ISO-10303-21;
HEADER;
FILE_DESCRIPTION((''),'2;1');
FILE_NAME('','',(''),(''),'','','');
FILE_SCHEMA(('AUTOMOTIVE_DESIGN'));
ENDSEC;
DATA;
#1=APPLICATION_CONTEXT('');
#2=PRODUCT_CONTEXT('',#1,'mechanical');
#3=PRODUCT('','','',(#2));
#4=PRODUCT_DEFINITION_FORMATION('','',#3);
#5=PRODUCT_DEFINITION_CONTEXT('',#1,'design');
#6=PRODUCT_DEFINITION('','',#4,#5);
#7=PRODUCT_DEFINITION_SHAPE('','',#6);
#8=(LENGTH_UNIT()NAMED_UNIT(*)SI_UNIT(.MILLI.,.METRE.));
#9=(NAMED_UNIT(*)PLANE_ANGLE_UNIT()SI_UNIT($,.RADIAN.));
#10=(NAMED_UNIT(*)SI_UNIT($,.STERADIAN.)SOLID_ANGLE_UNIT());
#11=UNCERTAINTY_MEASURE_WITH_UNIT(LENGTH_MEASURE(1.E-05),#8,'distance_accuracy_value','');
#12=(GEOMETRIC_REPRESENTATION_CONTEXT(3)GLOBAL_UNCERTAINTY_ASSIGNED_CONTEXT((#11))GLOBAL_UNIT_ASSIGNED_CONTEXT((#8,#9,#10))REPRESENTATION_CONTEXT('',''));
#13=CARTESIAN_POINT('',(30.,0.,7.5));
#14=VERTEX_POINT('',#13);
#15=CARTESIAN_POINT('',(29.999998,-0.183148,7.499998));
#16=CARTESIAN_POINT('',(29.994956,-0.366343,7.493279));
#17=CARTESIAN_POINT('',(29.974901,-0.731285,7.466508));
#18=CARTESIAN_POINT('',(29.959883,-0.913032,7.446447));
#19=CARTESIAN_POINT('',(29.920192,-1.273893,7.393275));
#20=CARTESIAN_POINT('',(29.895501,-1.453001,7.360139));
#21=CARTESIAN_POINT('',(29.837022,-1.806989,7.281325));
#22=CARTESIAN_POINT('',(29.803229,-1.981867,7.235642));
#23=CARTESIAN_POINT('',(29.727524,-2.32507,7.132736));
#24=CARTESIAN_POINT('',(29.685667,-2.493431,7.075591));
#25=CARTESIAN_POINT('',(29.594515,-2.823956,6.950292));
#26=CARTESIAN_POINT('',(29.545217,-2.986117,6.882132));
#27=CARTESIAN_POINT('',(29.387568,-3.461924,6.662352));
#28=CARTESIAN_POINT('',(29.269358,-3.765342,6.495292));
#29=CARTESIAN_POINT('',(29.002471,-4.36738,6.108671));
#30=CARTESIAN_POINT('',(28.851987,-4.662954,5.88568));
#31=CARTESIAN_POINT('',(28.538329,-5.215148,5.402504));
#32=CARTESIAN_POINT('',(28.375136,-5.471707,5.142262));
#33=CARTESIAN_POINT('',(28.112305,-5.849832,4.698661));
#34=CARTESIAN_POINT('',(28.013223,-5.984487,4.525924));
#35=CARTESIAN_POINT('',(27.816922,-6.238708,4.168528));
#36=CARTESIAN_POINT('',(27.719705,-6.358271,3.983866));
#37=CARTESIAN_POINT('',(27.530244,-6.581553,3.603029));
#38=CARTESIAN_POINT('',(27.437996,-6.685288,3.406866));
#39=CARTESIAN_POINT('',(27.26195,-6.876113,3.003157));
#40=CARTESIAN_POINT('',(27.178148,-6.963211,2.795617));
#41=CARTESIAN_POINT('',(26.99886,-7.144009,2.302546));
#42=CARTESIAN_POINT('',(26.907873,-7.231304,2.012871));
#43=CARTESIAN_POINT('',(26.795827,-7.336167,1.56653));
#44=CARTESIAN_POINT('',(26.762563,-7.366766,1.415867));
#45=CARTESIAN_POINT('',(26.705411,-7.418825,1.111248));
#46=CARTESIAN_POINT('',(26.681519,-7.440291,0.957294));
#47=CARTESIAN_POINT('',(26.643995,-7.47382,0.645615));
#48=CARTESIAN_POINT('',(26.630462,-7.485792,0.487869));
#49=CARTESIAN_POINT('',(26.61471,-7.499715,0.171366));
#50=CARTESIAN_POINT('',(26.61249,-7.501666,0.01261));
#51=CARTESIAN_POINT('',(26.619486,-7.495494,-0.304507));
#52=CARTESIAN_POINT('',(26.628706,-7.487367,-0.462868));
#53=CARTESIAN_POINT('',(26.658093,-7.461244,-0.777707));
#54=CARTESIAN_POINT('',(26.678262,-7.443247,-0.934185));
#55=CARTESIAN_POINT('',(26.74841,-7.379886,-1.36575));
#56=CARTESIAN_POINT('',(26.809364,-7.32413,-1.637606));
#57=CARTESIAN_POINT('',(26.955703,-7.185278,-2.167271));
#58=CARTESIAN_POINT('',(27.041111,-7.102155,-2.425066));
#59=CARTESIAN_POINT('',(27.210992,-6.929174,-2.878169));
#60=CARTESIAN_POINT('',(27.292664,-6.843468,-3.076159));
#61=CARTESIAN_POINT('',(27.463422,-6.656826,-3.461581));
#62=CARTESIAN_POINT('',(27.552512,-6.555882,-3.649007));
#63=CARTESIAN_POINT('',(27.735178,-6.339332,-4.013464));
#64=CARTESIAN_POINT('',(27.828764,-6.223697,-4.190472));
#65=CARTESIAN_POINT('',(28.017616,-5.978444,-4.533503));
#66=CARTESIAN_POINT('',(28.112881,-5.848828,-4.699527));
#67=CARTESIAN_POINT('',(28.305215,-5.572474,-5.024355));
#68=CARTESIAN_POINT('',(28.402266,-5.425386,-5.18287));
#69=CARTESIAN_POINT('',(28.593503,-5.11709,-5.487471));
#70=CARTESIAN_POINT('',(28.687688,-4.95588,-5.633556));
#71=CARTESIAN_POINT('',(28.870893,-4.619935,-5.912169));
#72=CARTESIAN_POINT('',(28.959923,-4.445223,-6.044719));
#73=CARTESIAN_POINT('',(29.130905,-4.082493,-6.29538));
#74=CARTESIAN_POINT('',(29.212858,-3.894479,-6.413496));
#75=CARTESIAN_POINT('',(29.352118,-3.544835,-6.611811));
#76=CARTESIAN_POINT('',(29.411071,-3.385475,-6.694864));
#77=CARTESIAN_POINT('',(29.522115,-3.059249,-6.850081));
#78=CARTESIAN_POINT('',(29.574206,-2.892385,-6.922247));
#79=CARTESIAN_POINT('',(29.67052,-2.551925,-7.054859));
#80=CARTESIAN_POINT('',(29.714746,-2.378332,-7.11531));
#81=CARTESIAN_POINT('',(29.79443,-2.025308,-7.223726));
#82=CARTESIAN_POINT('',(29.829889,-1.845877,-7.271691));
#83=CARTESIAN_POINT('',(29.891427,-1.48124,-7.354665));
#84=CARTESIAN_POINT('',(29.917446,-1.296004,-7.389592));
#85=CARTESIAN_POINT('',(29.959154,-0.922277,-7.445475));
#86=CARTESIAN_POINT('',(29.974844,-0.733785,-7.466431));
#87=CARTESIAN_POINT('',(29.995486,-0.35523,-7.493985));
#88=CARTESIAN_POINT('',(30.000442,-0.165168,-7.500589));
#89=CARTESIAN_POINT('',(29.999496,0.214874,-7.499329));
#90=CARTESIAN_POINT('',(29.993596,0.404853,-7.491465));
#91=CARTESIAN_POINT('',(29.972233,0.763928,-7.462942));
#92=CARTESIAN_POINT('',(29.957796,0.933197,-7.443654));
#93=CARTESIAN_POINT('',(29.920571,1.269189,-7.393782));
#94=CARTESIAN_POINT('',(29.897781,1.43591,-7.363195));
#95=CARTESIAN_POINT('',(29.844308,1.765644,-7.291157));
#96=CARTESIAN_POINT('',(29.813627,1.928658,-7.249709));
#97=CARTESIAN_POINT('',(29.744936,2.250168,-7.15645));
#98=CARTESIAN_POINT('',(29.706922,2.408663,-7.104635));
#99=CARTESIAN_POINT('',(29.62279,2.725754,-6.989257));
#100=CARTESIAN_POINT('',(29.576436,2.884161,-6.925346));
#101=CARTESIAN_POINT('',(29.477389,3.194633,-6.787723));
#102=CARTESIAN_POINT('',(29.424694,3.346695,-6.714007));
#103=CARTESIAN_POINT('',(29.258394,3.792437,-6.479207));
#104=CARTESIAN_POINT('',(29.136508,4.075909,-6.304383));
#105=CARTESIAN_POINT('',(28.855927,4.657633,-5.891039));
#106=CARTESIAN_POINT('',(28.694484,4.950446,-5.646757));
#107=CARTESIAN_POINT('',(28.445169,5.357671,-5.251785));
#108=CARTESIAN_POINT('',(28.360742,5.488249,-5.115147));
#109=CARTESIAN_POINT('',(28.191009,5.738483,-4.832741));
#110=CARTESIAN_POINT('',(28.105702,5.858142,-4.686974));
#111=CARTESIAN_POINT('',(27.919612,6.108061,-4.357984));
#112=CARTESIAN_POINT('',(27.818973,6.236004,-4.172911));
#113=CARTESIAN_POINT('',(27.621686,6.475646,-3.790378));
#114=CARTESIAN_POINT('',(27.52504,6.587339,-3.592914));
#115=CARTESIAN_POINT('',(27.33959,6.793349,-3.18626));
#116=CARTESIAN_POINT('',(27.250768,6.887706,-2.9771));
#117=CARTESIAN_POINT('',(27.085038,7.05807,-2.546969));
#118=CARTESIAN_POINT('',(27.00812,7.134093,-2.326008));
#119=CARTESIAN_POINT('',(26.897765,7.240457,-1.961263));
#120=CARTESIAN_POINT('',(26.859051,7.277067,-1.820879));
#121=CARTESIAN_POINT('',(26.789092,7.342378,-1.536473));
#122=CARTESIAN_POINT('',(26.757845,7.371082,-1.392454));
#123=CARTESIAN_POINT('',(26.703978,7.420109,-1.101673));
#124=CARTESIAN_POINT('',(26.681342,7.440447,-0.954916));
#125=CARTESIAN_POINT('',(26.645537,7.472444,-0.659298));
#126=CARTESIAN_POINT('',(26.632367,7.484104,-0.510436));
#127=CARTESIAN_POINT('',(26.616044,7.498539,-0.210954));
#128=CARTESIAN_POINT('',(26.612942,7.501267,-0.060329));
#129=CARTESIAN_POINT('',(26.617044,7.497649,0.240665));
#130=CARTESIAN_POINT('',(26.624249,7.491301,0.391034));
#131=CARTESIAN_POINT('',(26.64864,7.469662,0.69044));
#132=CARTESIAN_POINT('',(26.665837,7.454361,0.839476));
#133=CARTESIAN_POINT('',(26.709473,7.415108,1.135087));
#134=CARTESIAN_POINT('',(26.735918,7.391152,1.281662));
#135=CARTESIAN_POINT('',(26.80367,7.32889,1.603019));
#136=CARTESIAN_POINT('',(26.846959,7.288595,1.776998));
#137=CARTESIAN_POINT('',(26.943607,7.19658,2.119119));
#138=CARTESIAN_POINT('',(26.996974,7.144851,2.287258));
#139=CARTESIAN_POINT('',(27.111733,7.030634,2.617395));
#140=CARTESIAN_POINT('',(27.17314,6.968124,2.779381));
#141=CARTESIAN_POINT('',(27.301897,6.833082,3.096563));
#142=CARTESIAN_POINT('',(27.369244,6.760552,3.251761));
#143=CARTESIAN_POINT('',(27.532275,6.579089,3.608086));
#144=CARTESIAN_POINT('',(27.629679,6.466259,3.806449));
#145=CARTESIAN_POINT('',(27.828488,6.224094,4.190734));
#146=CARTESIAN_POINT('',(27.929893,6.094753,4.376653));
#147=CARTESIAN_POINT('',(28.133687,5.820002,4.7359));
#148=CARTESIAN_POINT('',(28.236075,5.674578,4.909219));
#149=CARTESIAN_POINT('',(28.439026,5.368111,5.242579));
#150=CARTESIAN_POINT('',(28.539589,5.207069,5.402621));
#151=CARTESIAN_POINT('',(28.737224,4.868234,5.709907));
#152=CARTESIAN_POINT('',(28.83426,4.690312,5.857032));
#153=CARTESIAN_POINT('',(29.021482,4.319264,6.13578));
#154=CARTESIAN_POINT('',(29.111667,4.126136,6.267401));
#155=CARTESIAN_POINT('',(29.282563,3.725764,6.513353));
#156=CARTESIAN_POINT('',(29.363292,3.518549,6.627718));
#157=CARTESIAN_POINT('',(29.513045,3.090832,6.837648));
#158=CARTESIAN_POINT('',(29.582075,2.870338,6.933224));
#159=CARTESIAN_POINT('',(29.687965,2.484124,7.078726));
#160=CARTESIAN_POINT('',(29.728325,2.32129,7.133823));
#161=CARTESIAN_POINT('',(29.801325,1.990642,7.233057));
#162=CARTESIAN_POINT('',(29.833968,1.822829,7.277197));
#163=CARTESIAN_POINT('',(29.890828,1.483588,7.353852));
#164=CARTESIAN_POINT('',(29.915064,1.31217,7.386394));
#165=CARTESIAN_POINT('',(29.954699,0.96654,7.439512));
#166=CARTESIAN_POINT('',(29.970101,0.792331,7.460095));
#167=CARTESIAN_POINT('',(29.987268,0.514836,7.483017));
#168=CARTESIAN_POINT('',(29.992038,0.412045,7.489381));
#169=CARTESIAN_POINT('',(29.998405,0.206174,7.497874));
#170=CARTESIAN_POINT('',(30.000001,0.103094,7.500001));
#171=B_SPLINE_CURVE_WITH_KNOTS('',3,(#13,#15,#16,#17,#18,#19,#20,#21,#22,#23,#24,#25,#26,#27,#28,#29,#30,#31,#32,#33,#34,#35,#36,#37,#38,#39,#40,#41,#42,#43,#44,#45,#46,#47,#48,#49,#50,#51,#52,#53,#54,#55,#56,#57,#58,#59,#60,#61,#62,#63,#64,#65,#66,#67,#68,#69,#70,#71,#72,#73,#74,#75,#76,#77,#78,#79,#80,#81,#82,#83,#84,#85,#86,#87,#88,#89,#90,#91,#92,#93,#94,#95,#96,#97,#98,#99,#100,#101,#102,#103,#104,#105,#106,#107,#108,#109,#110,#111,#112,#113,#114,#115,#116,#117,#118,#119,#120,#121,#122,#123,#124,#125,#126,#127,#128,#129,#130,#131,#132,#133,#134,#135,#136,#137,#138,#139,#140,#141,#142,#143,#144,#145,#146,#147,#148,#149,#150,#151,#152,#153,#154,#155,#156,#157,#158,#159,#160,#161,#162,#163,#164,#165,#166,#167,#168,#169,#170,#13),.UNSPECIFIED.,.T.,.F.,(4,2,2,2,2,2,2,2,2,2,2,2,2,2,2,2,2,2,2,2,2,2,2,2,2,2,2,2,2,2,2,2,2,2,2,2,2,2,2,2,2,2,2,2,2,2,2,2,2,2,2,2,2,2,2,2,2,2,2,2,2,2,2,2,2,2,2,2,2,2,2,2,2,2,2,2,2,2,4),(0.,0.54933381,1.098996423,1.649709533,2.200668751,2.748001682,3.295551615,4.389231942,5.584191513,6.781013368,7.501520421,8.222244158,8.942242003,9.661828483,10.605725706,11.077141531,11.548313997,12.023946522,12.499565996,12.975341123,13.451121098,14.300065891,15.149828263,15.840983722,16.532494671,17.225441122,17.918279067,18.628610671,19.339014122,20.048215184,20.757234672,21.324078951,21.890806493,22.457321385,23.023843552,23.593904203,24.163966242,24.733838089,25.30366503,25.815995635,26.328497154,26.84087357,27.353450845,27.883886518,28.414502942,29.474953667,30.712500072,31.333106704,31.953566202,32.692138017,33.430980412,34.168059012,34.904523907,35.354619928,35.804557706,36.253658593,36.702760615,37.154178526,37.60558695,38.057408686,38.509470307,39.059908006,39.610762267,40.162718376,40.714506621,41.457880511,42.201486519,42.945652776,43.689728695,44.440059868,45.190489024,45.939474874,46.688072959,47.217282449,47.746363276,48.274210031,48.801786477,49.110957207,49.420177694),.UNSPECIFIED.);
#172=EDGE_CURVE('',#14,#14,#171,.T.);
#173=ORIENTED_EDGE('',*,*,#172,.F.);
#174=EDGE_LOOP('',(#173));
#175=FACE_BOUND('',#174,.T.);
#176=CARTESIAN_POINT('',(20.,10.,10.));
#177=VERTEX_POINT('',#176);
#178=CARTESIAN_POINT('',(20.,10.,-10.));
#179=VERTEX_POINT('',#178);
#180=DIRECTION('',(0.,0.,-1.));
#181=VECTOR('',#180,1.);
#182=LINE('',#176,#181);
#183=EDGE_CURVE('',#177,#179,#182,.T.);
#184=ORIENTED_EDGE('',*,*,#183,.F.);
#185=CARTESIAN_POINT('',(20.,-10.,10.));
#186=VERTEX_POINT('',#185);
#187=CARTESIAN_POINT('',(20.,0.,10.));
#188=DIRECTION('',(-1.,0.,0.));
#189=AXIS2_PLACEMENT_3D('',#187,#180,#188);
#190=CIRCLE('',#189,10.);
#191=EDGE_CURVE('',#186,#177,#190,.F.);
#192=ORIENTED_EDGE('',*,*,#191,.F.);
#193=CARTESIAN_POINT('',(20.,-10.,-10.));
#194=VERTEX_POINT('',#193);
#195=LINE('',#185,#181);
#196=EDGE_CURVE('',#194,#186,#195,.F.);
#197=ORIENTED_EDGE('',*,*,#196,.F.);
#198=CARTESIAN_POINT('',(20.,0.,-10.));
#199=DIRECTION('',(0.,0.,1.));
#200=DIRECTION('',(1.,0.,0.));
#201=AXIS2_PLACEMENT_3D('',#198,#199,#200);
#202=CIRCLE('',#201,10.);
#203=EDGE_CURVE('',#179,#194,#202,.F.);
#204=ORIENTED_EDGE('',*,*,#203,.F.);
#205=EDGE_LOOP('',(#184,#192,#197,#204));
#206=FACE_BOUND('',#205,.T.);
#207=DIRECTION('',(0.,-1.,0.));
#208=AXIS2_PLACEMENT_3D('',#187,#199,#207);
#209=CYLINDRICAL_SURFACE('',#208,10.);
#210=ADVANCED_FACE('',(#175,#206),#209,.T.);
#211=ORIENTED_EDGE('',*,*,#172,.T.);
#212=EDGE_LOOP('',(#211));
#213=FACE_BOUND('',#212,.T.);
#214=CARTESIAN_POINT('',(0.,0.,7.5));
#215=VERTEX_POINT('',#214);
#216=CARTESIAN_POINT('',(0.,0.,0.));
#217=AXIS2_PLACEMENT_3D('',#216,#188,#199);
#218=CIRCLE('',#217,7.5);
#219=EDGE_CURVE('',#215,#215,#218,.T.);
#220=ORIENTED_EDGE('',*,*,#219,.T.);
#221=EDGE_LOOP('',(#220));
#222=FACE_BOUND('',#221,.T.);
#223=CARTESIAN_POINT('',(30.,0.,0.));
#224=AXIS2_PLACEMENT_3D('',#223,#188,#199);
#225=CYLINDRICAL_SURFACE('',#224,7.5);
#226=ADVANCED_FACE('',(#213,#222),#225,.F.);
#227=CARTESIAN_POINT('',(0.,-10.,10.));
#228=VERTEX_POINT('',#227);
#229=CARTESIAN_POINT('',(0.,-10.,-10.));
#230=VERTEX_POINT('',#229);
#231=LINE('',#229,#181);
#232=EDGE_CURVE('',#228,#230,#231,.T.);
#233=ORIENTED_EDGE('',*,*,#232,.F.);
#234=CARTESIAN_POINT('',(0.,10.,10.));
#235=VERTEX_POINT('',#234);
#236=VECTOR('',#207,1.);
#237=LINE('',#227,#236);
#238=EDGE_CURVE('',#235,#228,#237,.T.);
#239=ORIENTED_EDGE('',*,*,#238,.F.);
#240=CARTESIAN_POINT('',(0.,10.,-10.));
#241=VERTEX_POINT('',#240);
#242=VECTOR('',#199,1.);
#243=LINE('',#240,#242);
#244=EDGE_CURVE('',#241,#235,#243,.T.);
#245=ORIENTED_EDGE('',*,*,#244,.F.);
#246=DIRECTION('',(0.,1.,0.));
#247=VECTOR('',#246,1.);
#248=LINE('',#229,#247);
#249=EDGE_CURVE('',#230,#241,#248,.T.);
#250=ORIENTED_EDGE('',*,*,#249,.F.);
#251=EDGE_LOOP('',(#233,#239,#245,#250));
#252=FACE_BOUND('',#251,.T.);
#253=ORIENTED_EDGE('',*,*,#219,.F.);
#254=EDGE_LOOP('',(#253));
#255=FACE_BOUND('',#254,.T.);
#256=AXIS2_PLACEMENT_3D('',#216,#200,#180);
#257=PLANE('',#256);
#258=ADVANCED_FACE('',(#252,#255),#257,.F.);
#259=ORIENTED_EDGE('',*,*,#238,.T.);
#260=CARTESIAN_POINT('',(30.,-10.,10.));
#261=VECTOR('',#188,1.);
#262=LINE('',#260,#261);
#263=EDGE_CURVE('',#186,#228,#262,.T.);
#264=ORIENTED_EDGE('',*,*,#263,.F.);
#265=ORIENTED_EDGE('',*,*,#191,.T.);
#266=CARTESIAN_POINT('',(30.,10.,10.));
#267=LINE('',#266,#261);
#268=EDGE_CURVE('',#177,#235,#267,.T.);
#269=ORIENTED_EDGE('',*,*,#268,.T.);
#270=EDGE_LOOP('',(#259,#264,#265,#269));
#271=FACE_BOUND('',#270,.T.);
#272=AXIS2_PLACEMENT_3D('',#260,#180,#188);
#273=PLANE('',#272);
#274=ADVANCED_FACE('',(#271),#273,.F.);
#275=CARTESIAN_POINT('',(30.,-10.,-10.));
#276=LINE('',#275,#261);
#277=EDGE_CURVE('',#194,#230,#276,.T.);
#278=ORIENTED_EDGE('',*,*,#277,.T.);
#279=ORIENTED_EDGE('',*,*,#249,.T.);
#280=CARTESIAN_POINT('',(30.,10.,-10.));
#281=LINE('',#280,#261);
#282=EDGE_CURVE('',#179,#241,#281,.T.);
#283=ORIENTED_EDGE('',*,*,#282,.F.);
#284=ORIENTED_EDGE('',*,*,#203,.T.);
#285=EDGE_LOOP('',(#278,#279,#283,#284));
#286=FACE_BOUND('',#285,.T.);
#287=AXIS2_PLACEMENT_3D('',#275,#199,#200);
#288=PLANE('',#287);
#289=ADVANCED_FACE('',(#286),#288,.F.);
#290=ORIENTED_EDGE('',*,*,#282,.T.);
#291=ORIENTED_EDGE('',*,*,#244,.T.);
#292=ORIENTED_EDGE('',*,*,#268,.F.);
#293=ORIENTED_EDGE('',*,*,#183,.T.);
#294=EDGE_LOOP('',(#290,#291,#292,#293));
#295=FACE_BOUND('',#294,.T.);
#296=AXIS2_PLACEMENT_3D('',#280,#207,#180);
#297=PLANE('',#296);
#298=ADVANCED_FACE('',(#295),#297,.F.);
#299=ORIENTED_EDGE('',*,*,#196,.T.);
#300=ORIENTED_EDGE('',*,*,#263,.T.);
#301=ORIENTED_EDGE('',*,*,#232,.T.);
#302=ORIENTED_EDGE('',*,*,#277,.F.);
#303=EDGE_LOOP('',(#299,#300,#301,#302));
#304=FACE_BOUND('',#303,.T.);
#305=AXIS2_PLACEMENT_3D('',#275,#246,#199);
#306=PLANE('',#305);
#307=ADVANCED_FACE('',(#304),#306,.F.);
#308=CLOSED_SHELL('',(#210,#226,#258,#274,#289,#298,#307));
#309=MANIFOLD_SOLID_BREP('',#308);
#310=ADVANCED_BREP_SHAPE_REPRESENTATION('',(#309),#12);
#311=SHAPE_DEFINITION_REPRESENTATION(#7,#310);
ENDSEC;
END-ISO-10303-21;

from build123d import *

# Parameters (mm, degrees)
SKETCH1_W           = 20
SKETCH1_H           = 20
BOSS_EXTRUDE1_DEPTH = 30
FILLET3_RADIUS      = 10
FILLET3_LENGTH      = 20
SKETCH2_R           = 7.5
CUT_EXTRUDE1_DEPTH  = 30


with BuildPart() as part:
    # Sketch1 → Boss-Extrude1 (new body)
    with BuildSketch(Plane(origin=(0, 0, 0), x_dir=(0, 0, -1), z_dir=(1, 0, 0))):
        Rectangle(SKETCH1_W, SKETCH1_H)
    extrude(amount=BOSS_EXTRUDE1_DEPTH)

    # Fillet3: full round fillet: the end face becomes a half cylinder, R = half its width
    fillet3_face = Plane((30, 0, 0), x_dir=(0, 0, 1), z_dir=(1, 0, 0))  # on the end face: x along it, z out of the body
    fillet3_slab = fillet3_face.offset(-FILLET3_RADIUS / 2) * Box(FILLET3_LENGTH, 2 * FILLET3_RADIUS, FILLET3_RADIUS, mode=Mode.PRIVATE)  # the body's end, R deep
    fillet3_round = Plane((20, 0, 0), x_dir=(1, 0, 0), z_dir=(0, 0, 1)) * Cylinder(FILLET3_RADIUS, FILLET3_LENGTH, mode=Mode.PRIVATE)  # its axis R under the face
    add(fillet3_slab - fillet3_round, mode=Mode.SUBTRACT)

    # Sketch2 → Cut-Extrude1 (cut)
    with BuildSketch(Plane.ZY):
        Circle(SKETCH2_R)
    extrude(amount=-CUT_EXTRUDE1_DEPTH, mode=Mode.SUBTRACT)


solid = part.part
